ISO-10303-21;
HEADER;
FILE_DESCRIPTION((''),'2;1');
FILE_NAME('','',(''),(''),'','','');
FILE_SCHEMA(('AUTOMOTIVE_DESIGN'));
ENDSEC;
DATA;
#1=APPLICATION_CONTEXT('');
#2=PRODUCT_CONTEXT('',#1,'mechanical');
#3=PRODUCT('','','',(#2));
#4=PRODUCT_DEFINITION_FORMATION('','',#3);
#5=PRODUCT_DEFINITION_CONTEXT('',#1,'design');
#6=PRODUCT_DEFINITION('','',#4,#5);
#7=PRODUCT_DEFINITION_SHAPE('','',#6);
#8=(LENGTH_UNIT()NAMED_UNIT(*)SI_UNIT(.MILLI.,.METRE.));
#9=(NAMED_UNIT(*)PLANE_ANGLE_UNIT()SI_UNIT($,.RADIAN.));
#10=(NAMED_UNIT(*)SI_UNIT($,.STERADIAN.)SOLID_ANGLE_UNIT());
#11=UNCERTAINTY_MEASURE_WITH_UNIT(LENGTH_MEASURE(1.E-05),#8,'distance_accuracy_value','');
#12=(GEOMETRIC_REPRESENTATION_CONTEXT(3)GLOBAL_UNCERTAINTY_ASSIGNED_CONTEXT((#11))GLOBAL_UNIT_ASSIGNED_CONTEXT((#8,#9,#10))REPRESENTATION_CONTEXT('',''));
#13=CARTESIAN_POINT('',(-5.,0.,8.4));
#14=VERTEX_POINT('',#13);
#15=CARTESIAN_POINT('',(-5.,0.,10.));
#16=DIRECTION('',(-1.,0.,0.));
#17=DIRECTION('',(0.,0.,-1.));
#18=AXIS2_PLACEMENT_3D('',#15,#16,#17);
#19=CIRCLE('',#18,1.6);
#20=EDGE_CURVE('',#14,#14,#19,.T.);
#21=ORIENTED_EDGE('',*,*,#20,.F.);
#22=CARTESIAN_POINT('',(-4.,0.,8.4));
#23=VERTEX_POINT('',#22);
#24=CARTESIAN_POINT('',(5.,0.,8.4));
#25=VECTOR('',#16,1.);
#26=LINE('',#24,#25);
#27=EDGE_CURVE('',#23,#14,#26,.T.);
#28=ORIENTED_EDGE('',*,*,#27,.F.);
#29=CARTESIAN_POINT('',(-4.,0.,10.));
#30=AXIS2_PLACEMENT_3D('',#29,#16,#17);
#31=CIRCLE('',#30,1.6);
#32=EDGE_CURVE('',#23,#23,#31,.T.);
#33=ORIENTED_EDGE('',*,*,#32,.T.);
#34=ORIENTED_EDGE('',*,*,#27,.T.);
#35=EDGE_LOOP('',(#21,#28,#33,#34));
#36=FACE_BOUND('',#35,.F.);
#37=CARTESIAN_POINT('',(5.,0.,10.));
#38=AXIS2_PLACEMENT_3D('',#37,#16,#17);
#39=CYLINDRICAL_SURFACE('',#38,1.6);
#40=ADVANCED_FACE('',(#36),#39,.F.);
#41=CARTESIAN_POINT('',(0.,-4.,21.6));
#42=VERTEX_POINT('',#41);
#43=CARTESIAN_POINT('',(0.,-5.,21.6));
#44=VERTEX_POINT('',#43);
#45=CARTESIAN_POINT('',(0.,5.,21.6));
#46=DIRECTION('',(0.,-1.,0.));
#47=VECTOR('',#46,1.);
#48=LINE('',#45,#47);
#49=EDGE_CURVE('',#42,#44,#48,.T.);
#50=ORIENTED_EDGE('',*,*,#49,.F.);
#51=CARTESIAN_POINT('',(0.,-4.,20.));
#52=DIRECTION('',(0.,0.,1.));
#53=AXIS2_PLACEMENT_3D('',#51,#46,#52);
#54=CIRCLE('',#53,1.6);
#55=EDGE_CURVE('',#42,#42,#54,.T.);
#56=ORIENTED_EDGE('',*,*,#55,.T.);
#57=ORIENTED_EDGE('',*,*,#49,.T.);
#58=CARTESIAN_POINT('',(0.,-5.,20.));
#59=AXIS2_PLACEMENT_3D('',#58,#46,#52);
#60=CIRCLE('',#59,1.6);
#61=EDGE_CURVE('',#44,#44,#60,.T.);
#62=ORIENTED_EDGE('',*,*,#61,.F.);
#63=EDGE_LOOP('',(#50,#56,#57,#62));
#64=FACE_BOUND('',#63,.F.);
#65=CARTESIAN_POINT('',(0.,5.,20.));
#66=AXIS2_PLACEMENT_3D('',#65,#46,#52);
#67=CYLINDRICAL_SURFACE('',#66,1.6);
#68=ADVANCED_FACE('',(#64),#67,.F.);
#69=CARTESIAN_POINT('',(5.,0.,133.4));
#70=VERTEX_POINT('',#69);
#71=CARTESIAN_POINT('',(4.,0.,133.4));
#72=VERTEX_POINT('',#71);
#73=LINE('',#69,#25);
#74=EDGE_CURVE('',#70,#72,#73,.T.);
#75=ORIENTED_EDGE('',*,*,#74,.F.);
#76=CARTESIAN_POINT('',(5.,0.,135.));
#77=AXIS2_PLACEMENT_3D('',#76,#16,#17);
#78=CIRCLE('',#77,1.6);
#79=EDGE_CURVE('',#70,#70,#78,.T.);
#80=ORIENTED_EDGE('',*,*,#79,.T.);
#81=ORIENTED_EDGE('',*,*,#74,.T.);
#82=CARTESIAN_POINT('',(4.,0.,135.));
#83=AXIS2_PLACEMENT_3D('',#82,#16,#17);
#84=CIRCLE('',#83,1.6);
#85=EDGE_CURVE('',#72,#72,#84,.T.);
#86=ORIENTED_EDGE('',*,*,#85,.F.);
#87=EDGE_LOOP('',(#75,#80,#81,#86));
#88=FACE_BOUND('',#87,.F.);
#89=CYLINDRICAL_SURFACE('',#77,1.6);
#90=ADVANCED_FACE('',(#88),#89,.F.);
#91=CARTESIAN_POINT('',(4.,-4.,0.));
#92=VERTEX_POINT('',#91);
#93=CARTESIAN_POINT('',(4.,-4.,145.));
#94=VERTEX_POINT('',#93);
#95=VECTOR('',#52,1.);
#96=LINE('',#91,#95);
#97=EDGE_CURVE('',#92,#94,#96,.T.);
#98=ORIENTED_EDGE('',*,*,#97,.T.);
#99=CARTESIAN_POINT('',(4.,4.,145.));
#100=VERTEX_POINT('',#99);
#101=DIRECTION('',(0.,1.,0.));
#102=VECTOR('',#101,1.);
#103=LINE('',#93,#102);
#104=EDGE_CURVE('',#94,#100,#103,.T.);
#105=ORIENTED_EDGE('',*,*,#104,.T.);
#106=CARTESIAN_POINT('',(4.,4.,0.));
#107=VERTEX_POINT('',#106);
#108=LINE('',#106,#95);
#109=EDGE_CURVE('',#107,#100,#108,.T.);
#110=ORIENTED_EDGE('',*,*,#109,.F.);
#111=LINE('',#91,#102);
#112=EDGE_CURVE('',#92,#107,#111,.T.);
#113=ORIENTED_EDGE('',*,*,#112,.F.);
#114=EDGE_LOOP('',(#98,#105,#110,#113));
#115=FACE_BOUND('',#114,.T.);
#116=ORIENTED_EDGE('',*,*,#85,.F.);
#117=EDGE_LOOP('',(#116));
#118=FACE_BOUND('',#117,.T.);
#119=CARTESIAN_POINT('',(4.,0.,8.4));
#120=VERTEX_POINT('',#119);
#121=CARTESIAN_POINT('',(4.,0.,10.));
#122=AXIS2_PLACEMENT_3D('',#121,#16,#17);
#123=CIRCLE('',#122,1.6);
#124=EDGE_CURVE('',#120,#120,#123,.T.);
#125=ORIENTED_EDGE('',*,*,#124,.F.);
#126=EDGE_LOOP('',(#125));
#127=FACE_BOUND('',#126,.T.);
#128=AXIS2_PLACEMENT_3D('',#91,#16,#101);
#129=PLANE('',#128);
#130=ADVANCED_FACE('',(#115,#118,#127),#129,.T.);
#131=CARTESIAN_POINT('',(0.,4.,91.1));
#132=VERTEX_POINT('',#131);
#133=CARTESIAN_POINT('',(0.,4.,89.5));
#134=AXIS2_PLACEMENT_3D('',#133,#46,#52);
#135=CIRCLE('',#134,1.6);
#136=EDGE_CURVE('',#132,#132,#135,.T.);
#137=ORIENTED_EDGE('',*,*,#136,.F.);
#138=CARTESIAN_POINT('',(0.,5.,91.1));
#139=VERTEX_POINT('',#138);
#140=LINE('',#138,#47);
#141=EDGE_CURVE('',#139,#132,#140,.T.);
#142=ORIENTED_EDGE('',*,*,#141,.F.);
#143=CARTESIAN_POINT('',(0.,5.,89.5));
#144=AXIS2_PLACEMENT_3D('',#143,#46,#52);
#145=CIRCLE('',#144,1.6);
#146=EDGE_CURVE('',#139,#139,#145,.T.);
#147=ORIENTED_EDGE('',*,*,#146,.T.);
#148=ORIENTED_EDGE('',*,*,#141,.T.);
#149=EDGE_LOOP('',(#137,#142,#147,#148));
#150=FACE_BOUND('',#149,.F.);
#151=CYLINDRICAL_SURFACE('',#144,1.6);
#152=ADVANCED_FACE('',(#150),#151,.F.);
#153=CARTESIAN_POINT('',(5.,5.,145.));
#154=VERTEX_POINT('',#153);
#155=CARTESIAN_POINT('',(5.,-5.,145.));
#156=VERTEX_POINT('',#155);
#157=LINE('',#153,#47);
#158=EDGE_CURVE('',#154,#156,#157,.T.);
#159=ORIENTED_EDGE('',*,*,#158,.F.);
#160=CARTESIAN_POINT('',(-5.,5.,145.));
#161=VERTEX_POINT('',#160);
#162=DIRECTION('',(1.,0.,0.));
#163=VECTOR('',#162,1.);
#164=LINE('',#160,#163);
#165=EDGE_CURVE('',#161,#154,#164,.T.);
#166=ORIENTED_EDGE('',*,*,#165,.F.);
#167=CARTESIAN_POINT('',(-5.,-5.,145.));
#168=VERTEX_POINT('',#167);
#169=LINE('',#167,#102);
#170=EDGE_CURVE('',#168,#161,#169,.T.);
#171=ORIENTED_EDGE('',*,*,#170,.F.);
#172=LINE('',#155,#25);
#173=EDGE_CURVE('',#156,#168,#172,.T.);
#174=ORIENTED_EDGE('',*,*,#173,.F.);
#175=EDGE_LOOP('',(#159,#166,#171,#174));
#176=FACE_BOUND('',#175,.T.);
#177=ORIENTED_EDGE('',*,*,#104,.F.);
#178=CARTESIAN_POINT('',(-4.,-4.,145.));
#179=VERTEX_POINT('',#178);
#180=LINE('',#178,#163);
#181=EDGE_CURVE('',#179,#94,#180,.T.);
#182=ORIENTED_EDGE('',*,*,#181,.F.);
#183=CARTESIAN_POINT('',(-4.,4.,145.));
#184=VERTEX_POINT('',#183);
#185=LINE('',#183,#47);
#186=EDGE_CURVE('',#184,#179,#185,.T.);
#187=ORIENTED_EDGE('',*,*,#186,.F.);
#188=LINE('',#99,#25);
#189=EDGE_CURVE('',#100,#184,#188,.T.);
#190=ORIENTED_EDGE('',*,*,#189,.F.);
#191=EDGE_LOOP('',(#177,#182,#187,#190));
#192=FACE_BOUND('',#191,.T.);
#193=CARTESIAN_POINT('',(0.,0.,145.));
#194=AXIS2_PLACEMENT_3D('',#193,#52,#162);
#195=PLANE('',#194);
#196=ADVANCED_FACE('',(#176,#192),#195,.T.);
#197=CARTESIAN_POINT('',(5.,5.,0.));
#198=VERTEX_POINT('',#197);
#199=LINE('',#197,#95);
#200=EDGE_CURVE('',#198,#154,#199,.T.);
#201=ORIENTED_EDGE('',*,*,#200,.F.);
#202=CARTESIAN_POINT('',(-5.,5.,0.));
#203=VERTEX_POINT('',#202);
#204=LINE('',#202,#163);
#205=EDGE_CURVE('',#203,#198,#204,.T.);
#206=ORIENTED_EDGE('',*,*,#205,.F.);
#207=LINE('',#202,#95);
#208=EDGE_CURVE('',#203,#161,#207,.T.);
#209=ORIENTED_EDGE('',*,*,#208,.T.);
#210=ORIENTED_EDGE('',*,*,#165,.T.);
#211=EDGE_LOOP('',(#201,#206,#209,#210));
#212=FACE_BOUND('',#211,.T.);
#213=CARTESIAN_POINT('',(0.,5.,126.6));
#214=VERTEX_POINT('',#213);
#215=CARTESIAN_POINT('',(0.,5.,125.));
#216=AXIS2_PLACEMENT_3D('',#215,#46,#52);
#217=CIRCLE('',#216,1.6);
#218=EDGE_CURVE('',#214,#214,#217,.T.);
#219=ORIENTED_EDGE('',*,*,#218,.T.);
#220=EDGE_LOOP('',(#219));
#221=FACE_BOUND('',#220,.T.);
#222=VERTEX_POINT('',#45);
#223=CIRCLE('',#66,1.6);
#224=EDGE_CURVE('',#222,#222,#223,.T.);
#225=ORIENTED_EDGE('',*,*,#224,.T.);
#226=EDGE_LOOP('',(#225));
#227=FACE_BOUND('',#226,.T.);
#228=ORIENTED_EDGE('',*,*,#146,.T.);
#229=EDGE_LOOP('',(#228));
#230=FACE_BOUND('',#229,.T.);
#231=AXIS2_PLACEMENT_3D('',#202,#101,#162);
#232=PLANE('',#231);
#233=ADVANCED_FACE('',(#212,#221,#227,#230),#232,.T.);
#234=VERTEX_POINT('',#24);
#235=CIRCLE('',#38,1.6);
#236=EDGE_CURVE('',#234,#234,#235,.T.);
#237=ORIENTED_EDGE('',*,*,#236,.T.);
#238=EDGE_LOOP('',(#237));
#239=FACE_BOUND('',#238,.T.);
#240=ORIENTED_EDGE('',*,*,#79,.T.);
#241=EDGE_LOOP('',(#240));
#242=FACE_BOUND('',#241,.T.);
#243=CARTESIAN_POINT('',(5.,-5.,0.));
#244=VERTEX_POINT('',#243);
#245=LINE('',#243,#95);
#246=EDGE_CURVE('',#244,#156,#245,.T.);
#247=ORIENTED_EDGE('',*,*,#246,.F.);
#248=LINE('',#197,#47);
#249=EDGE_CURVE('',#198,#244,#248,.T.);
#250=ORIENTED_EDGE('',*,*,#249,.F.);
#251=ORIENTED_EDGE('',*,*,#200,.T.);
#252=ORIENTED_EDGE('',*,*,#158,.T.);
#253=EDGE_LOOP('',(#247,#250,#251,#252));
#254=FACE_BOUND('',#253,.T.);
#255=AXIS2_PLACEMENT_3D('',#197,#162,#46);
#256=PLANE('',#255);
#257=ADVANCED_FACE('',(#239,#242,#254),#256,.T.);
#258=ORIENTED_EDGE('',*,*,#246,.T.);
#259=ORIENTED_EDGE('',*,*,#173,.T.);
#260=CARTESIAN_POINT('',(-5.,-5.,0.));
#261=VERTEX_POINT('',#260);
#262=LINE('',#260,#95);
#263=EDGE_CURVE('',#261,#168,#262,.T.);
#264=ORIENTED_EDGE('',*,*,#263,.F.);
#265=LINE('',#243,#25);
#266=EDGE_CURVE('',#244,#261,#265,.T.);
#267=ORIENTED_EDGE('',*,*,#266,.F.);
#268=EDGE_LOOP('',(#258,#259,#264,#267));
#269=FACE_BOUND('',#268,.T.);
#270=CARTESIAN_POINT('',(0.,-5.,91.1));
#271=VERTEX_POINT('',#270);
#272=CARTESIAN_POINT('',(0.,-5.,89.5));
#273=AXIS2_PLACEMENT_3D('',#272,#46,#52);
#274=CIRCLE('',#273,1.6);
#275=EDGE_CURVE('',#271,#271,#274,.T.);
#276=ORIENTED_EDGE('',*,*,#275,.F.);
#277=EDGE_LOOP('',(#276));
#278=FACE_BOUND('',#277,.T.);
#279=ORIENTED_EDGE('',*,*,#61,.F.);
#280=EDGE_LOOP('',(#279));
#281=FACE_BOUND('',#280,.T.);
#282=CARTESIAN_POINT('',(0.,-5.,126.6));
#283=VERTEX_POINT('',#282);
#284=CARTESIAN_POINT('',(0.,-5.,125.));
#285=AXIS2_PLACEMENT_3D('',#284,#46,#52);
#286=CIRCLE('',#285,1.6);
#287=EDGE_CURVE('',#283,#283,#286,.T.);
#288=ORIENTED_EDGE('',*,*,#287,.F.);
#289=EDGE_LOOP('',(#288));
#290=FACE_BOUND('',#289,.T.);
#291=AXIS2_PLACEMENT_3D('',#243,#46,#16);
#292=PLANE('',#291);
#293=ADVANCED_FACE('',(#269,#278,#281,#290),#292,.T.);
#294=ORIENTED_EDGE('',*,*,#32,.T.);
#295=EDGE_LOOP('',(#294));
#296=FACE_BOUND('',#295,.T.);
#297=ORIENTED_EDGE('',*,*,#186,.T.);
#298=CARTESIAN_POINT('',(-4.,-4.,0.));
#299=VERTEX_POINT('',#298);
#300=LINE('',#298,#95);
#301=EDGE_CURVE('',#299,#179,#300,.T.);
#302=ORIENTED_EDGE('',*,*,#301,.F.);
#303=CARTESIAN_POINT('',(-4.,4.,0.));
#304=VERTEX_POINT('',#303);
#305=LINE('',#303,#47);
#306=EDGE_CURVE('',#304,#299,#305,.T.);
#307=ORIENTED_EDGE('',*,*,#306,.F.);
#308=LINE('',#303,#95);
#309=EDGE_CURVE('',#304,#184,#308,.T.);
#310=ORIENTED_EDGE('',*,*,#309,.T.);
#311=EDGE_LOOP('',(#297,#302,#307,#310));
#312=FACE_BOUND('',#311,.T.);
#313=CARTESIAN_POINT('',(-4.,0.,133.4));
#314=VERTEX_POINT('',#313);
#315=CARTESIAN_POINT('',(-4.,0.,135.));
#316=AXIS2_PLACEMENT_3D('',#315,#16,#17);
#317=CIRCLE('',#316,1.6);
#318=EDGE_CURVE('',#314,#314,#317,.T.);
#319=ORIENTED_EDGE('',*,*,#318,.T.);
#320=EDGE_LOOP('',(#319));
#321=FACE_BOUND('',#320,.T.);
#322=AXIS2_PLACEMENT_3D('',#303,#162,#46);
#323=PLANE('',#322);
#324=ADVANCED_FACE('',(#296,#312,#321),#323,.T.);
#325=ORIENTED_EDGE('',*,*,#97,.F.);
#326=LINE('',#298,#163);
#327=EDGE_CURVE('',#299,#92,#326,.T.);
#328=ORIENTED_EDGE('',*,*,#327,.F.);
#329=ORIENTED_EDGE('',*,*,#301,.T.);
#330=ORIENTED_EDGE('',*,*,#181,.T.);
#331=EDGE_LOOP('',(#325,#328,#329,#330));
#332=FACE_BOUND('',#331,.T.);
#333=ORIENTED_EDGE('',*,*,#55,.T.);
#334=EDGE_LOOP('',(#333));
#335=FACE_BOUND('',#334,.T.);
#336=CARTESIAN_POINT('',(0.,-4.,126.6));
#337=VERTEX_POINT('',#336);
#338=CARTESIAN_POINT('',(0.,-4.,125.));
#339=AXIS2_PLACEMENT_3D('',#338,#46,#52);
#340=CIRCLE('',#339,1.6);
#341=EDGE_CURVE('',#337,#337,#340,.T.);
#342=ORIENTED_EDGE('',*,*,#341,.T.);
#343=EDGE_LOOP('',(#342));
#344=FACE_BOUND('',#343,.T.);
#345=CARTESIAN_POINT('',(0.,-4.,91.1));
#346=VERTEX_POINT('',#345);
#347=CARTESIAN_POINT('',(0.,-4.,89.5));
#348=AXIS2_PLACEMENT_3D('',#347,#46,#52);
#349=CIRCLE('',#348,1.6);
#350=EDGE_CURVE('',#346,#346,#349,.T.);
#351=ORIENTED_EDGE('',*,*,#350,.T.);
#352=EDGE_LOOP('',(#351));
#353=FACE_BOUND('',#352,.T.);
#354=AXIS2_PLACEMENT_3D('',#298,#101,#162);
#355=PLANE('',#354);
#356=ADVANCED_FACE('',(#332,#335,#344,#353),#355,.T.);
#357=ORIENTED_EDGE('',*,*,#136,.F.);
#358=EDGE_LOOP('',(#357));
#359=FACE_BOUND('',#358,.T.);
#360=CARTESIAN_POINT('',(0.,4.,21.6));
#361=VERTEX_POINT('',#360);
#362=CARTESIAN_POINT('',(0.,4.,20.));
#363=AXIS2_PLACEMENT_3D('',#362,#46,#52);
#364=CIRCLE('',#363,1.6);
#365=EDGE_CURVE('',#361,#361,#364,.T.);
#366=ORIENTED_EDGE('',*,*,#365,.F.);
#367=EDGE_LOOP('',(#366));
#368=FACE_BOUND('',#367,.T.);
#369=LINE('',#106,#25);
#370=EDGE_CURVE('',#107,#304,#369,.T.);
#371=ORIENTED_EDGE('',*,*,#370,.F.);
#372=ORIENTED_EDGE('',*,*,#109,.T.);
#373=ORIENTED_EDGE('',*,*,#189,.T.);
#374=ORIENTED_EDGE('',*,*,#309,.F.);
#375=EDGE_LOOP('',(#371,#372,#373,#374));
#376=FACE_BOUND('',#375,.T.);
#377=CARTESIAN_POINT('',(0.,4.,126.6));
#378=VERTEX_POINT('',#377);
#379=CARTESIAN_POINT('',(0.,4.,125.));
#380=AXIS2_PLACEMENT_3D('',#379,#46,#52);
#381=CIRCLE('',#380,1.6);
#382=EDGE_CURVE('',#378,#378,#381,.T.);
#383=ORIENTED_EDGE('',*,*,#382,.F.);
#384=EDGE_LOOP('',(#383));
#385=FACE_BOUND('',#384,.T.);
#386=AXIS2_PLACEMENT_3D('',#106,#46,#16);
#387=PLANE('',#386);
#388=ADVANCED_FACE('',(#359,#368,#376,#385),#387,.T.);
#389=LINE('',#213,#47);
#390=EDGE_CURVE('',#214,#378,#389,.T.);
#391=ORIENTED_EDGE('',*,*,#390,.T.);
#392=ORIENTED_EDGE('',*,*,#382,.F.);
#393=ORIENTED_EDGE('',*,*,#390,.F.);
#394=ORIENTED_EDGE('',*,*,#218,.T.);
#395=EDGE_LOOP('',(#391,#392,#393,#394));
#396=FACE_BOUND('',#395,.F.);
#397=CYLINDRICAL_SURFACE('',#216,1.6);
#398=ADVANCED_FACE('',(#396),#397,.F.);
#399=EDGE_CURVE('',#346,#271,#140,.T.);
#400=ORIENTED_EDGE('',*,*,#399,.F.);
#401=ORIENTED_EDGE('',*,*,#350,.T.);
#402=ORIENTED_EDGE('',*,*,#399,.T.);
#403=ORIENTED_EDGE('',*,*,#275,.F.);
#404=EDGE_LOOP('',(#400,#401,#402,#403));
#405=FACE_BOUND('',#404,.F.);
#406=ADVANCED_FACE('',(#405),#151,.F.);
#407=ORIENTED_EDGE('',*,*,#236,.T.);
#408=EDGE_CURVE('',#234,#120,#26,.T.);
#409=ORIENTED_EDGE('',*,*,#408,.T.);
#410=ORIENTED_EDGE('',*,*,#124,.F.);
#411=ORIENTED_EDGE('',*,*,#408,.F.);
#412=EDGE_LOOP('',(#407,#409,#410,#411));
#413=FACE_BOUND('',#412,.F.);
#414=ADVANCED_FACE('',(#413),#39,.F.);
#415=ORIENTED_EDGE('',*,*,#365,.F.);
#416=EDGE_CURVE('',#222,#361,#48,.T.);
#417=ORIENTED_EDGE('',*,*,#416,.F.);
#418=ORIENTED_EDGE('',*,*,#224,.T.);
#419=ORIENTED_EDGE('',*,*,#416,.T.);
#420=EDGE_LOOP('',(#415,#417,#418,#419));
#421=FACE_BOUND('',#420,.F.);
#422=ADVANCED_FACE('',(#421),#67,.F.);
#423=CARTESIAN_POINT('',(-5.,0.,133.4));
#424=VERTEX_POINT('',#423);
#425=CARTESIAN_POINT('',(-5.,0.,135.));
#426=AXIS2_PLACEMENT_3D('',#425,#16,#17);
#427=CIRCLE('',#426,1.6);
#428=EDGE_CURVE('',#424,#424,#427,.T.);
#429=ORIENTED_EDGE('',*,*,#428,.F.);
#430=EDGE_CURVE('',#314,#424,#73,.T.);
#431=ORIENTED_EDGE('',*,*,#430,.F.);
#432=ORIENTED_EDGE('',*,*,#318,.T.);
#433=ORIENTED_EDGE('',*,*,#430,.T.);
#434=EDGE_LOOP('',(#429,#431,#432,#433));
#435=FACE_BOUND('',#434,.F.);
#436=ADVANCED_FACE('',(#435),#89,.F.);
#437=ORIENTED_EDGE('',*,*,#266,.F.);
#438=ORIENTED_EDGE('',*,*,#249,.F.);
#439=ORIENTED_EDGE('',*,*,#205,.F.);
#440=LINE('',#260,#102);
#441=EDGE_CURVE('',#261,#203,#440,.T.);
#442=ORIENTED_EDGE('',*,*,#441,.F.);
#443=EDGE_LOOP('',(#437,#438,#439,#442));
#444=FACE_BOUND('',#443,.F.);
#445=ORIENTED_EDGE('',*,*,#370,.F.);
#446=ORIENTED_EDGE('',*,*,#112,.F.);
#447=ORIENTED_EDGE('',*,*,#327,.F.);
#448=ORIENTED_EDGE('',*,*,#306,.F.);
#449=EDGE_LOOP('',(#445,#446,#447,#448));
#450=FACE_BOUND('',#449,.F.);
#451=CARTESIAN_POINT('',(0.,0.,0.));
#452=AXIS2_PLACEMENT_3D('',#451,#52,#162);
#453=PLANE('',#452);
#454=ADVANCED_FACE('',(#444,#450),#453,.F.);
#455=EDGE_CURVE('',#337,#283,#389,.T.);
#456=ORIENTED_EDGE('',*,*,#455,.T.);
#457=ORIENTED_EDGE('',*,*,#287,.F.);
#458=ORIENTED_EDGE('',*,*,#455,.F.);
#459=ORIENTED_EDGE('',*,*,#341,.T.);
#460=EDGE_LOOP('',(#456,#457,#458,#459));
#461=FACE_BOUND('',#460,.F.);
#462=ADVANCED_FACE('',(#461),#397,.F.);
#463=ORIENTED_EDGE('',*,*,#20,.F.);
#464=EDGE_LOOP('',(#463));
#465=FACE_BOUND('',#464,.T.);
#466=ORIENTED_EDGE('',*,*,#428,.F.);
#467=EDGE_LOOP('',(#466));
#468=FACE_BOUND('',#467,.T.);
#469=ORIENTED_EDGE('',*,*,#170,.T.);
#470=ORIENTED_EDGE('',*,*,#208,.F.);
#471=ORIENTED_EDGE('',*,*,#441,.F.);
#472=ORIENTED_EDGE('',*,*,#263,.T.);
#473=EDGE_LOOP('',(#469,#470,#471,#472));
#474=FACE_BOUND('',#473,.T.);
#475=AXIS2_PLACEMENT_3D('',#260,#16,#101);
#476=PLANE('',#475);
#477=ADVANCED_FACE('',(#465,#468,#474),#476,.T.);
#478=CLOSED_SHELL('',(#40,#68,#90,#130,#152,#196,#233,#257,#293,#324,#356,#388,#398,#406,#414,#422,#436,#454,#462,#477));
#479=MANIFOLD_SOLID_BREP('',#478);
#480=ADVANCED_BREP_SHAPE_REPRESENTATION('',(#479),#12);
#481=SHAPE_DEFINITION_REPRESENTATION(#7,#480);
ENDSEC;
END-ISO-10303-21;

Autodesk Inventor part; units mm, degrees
ref_plane "YZ Plane" through (0, 0, 0) normal (1, 0, 0) x (0, 1, 0)
ref_plane "XZ Plane" through (0, 0, 0) normal (0, 1, 0) x (-1, 0, 0)
ref_plane "XY Plane" through (0, 0, 0) normal (0, 0, 1) x (1, 0, 0)
sketch "スケッチ1" plane through (0, 0, 0) normal (0, 0, 1) x (1, 0, 0)
  line L0 (5, -5) -> (-5, -5)
  line L1 (-5, -5) -> (-5, 5)
  line L2 (-5, 5) -> (5, 5)
  line L3 (5, 5) -> (5, -5)
  line L4 (5, -5) -> (-5, 5) construction
  line L5 (-5, -5) -> (5, 5) construction
  line L6 (4, 4) -> (-4, 4)
  line L7 (-4, 4) -> (-4, -4)
  line L8 (-4, -4) -> (4, -4)
  line L9 (4, -4) -> (4, 4)
  point P0 (0, 0)
  dimension "d0" = 10
  dimension "d1" = 10
  dimension "d2" = 1
extrude "押し出し1" add sketch "スケッチ1" along normal blind 145
sketch "スケッチ2" plane through (5, -5, 0) normal (1, 0, 0) x (0, 0, -1)
  line L0 (0, 5) -> (-145, 5)
  line L1 (0, 1) -> (-145, 1) projected
  line L2 (0, 0) -> (0, 10) projected
  point P0 (-135, 5)
  point P1 (-10, 5)
  dimension "d5" = 10
  dimension "d6" = 125
hole "穴1" at (5, 0, 135) at (5, 0, 10) direction (-1, 0, 0) diameter 3.2 end through all
sketch "スケッチ3" plane through (-5, 5, 0) normal (0, 1, 0) x (1, 0, 0)
  line L0 (5, 0) -> (5, -145)
  line L1 (10, -145) -> (0, -145) projected
  line L2 (10, 0) -> (0, 0) projected
  point P0 (5, -125)
  point P1 (5, -20)
  point P2 (5, -89.5)
  point P3 (5, -72.5)
  dimension "d14" = 20
  dimension "d15" = 105
  dimension "d24" = 17
  dimension "d25" = 89.5
hole "穴2" at (0, 5, 125) at (0, 5, 20) at (0, 5, 89.5) direction (0, -1, 0) diameter 3.2 end through all
properties part number "kaku_1010_plate"
